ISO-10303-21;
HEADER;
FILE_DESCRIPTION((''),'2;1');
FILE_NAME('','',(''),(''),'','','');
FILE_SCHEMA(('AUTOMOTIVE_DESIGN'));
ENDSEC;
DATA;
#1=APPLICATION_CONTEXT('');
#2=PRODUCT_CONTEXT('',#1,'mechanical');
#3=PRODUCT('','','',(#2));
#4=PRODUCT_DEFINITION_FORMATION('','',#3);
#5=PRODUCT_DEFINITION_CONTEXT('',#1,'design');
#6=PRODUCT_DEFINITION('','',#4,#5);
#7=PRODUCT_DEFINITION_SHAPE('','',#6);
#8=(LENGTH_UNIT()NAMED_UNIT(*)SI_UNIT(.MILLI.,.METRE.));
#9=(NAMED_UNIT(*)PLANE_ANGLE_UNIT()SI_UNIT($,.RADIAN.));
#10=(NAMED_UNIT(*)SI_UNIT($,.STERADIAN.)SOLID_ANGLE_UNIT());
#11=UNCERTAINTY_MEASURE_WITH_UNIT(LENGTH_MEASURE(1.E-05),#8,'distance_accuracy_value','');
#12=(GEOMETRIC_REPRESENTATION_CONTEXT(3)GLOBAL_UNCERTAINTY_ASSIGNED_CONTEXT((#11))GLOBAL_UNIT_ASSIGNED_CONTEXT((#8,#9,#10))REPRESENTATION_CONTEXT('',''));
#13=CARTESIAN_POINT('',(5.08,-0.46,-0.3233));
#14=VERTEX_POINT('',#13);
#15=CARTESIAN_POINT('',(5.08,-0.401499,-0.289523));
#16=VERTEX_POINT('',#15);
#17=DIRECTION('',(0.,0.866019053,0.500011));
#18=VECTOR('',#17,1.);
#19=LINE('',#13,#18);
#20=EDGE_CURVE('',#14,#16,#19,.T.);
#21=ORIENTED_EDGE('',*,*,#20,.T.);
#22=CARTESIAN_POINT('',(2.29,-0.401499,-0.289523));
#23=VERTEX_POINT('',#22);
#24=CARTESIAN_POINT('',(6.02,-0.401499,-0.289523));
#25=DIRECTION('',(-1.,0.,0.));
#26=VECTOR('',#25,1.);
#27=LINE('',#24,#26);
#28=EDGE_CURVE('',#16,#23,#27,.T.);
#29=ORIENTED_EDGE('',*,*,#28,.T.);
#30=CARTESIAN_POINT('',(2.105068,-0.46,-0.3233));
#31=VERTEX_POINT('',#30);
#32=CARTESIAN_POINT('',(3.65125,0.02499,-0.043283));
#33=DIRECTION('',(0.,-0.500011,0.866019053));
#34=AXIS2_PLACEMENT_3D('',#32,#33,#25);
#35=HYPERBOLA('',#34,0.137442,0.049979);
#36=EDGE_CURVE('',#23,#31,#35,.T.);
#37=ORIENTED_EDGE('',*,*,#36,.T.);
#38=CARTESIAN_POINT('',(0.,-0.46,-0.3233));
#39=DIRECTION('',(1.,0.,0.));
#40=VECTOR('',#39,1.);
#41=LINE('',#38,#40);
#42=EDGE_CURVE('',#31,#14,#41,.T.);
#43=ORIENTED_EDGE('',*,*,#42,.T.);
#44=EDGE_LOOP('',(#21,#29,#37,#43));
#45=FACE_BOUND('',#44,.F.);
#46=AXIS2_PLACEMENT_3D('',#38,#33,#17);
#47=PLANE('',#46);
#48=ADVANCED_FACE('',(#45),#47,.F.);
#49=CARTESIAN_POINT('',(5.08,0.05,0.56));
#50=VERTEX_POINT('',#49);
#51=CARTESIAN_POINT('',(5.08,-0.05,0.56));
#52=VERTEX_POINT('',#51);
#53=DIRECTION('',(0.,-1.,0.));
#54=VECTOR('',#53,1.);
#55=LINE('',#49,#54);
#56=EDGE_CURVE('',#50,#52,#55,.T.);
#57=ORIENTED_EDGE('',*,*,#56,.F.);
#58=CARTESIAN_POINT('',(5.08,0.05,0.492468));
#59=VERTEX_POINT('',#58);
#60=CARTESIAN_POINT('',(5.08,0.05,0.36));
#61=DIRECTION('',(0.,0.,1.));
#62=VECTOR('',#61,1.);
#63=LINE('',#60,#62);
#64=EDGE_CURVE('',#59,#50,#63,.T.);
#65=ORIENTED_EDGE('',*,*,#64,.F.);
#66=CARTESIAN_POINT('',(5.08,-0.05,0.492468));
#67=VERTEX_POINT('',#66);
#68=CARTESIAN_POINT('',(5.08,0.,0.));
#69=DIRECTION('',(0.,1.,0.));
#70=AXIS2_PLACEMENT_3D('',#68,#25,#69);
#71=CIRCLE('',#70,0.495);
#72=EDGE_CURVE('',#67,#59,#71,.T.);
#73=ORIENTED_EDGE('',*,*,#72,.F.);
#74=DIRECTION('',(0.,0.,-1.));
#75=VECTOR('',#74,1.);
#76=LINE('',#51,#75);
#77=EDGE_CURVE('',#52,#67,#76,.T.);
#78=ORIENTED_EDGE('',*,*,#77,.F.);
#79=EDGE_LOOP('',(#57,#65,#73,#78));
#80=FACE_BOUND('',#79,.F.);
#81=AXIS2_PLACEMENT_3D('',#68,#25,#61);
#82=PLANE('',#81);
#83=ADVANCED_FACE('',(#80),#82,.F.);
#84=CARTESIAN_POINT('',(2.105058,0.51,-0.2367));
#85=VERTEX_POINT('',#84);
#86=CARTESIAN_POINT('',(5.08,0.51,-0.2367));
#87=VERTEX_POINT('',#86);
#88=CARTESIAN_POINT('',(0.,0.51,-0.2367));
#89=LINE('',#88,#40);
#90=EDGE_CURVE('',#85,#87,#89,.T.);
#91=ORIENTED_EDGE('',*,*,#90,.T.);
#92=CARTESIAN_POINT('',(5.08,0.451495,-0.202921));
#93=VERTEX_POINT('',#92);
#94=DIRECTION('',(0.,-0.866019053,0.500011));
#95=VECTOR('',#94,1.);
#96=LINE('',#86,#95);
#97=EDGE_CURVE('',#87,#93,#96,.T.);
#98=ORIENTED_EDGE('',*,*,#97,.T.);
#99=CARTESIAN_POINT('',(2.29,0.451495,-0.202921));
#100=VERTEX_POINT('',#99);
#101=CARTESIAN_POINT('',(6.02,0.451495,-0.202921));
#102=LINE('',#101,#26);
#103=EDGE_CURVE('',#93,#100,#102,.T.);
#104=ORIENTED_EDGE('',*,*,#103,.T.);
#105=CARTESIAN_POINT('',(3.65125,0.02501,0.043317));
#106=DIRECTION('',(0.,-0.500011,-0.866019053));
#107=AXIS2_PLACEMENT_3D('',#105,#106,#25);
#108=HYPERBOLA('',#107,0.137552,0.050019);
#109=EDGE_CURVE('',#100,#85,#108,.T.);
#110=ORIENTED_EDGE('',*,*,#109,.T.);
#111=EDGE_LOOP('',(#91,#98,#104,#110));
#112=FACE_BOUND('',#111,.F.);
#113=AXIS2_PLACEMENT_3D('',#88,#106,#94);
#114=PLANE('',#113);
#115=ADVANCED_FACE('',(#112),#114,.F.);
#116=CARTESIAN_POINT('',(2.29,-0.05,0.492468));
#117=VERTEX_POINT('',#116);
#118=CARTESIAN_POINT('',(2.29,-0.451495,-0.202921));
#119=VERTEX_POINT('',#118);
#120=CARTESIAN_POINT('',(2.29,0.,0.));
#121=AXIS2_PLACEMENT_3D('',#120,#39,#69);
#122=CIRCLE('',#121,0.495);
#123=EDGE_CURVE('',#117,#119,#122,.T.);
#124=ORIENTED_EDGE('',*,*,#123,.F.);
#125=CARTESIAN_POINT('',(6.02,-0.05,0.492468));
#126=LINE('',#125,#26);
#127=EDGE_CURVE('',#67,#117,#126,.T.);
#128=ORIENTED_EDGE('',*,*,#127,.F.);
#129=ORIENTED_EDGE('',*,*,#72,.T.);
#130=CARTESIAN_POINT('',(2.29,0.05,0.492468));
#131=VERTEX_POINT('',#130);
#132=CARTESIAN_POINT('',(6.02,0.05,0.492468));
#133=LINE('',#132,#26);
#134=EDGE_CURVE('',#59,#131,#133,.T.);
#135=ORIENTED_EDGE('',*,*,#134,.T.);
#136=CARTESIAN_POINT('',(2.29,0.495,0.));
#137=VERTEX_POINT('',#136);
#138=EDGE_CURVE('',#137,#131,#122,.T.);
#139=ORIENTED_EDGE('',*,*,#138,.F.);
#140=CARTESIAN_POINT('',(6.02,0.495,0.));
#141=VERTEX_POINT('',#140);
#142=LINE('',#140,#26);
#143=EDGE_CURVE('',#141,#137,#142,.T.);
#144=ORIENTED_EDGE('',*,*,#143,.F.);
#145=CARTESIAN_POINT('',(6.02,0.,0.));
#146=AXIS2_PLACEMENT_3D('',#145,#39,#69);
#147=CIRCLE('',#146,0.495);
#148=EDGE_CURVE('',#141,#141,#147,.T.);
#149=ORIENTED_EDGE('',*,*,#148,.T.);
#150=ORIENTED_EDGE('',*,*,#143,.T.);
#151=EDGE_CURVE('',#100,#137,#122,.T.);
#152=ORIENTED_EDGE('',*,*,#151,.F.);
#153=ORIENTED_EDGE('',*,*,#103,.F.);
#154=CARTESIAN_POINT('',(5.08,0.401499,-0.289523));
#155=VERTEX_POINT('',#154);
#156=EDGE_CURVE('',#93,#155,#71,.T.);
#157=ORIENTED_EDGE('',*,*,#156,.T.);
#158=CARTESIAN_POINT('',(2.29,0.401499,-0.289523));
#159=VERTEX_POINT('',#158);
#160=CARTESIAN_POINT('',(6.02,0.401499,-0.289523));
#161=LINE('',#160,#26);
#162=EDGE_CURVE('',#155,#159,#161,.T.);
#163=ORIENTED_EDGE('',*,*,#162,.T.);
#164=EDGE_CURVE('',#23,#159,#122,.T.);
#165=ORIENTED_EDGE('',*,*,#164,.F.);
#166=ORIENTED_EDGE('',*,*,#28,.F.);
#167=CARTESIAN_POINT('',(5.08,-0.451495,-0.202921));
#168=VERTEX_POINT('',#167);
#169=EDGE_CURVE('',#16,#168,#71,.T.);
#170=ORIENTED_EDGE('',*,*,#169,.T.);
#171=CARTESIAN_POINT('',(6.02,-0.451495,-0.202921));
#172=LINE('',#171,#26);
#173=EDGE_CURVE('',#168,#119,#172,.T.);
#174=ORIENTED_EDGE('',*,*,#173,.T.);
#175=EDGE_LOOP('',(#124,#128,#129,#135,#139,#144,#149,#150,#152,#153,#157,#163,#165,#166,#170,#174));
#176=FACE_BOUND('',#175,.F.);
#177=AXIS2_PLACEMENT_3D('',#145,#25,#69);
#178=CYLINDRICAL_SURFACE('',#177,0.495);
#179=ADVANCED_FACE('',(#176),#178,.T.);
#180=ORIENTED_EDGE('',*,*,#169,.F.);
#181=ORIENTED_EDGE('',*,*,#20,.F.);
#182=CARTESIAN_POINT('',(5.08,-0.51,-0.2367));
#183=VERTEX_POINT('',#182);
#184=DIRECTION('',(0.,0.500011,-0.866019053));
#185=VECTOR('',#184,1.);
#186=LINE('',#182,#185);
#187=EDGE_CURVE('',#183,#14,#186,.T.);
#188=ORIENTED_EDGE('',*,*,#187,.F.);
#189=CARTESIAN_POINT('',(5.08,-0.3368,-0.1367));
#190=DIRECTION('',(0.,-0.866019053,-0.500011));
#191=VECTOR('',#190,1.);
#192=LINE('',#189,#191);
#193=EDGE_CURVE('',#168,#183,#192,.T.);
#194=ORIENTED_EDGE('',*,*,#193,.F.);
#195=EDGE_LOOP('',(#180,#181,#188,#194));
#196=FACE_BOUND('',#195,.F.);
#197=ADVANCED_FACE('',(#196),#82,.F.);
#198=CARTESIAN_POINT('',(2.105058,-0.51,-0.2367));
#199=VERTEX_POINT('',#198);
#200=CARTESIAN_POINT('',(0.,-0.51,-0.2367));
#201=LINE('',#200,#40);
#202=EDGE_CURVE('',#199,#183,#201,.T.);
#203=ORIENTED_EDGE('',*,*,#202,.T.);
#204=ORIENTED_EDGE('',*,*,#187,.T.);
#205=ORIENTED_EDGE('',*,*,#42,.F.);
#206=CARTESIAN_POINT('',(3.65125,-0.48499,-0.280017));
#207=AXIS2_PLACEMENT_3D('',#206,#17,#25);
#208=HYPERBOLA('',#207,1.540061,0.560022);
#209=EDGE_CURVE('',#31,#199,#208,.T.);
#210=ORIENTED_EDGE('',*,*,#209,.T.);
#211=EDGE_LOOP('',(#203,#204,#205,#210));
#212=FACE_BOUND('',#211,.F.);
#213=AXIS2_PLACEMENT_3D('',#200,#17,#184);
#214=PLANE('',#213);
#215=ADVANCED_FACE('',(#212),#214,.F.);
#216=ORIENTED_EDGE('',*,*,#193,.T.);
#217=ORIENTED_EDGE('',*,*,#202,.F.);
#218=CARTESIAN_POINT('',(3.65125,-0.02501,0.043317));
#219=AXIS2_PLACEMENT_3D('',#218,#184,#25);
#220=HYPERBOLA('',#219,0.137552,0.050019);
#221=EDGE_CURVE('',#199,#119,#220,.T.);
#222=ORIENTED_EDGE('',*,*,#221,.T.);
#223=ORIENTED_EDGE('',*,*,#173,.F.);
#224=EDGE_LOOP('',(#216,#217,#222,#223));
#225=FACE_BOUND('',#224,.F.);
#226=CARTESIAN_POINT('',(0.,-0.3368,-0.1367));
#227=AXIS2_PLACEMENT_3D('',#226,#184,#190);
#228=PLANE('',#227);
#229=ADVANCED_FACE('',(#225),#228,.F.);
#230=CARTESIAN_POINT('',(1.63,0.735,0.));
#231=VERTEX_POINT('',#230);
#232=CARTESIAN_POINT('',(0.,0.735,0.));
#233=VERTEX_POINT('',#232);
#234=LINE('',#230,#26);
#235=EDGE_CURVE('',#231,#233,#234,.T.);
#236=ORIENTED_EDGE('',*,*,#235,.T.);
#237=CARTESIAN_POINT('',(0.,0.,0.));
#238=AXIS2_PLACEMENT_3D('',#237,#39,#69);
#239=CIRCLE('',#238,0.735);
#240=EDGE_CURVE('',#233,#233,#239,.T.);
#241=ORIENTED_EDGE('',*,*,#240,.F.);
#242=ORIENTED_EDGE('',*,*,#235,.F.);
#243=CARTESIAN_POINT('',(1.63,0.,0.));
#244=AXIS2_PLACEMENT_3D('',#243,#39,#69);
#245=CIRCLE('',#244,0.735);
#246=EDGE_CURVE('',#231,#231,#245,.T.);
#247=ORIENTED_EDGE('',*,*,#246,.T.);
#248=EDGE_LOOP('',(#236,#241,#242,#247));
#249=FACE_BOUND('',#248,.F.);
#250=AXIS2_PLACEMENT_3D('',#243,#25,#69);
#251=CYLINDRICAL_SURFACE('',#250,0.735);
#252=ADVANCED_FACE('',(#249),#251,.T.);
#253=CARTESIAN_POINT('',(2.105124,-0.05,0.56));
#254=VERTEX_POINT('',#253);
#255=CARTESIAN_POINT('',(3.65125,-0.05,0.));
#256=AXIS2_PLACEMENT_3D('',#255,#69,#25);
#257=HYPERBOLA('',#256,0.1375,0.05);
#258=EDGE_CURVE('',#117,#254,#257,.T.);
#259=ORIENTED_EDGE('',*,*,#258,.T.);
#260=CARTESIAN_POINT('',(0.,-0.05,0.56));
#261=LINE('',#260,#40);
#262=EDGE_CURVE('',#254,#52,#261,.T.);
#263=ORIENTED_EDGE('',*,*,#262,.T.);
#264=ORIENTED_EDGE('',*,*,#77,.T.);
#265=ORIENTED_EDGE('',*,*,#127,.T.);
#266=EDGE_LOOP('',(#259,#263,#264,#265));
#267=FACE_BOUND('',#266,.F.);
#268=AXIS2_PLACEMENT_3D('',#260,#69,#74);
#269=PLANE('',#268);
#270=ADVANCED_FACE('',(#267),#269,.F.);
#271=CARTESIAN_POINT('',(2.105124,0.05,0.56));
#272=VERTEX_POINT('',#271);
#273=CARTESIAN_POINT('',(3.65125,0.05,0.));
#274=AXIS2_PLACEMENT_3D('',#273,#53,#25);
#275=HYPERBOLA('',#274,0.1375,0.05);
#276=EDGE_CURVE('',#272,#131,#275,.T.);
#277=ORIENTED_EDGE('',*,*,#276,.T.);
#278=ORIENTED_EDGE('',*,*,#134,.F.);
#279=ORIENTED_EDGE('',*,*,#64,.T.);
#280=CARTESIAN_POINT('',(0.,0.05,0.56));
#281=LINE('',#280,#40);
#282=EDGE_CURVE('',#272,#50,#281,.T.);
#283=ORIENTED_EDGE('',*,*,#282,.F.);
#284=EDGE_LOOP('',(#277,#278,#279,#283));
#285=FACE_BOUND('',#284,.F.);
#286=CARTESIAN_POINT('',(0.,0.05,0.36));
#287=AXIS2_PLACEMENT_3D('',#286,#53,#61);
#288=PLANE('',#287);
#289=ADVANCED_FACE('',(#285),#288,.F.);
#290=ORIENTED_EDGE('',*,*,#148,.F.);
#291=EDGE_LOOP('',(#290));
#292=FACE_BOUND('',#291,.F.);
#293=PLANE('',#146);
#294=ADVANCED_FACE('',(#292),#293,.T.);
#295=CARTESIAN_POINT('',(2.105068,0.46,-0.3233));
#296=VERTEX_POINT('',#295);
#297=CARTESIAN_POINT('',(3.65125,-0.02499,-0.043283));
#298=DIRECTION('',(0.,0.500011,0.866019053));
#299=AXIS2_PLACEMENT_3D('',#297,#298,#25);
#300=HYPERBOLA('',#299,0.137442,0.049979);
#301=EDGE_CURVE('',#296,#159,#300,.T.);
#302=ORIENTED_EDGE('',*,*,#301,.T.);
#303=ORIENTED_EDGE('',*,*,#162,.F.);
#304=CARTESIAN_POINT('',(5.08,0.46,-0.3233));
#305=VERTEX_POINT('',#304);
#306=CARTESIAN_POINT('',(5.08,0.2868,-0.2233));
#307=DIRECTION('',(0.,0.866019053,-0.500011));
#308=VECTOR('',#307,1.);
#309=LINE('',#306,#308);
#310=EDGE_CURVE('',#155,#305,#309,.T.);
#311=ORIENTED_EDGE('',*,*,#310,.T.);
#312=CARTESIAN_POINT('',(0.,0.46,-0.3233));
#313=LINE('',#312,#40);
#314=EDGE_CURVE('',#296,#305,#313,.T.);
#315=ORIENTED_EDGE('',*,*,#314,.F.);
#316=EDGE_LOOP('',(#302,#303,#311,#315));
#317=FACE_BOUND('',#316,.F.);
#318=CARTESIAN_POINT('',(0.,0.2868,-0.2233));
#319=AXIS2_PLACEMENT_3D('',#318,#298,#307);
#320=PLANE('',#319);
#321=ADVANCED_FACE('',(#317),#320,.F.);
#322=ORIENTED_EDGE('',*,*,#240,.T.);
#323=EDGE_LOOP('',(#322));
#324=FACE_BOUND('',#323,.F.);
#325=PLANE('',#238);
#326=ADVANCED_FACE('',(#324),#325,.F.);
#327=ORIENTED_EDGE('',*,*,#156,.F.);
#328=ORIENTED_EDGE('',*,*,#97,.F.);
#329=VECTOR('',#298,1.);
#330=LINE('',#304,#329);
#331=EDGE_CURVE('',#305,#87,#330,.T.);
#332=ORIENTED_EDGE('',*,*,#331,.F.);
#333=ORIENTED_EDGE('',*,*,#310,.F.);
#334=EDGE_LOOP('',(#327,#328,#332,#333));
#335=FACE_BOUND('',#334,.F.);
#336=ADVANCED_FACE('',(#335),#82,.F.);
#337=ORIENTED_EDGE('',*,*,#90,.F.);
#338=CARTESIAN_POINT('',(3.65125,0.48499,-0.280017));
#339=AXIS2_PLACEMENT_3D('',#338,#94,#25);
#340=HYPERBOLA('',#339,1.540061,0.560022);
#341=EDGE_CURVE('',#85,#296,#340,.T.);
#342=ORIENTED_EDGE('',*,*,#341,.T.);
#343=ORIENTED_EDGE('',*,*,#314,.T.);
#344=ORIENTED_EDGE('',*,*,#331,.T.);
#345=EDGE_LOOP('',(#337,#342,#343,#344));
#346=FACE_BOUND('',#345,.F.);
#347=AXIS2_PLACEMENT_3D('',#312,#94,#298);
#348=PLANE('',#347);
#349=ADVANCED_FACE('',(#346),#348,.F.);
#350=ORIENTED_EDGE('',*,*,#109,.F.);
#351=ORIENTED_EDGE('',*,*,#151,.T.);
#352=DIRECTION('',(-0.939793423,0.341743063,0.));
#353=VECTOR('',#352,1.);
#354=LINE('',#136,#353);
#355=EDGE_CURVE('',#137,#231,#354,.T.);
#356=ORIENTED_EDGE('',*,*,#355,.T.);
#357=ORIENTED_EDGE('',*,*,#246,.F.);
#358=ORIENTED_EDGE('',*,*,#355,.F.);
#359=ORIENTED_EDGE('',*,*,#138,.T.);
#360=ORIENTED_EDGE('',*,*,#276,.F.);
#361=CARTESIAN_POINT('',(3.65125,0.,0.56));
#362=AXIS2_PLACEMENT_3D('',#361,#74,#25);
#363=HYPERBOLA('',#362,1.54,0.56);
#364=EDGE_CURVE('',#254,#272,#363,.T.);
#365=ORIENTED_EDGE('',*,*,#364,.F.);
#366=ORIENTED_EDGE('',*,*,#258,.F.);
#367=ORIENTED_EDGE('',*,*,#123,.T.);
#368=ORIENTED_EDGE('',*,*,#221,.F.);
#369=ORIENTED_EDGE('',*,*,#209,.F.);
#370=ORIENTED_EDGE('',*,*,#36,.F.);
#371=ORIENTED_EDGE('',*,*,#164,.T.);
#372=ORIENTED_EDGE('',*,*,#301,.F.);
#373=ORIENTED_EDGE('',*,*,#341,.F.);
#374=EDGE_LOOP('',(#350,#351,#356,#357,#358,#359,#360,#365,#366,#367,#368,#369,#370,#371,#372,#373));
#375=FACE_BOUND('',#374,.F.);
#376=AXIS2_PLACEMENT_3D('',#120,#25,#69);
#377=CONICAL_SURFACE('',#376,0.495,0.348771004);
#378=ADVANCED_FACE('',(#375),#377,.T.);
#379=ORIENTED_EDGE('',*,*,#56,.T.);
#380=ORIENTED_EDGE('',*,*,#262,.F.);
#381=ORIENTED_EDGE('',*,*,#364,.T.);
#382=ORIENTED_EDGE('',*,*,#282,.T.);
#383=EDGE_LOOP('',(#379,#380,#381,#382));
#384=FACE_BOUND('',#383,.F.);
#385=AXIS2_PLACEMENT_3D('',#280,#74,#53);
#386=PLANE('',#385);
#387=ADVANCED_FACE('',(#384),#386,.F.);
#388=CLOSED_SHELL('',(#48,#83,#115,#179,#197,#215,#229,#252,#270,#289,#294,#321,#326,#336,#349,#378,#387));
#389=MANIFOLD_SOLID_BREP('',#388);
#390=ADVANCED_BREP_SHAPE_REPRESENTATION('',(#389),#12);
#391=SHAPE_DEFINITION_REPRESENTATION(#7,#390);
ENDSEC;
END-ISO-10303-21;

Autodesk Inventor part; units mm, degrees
ref_plane "YZ Plane" through (0, 0, 0) normal (1, 0, 0) x (0, 1, 0)
ref_plane "XZ Plane" through (0, 0, 0) normal (0, 1, 0) x (-1, 0, 0)
ref_plane "XY Plane" through (0, 0, 0) normal (0, 0, 1) x (1, 0, 0)
sketch "Sketch1" plane through (0, 0, 0) normal (0, 0, 1) x (1, 0, 0)
  line L0 (0, 0) -> (6.02, 0)
  line L1 (6.02, 0) -> (6.02, 0.495)
  line L2 (6.02, 0.495) -> (2.29, 0.495)
  line L3 (2.29, 0.495) -> (1.63, 0.735)
  line L4 (1.63, 0.735) -> (0, 0.735)
  line L5 (0, 0.735) -> (0, 0)
  dimension "d1" = 0.495
  dimension "d19" = 1.63
  dimension "d20" = 0.735
  dimension "d21" = 6.02
  dimension "d22" = 3.73
revolve "Revolution1" add sketch "Sketch1" angle 360 about axis through (0, 0, 0) along (1, 0, 0)
sketch "Sketch2" plane through (0, 0, 0) normal (-1, 0, 0) x (0, 0, 1)
  line L0 (0.36, 0.05) -> (0.56, 0.05)
  line L1 (0.56, 0.05) -> (0.56, -0.05)
  line L2 (0.56, -0.05) -> (0.36, -0.05)
  line L3 (0.36, -0.05) -> (0.36, 0.05)
  line L4 (-0.2233, 0.2868) -> (-0.3233, 0.46)
  line L5 (-0.3233, 0.46) -> (-0.2367, 0.51)
  line L6 (-0.2367, 0.51) -> (-0.1367, 0.3368)
  line L7 (-0.1367, 0.3368) -> (-0.2233, 0.2868)
  line L8 (-0.1367, -0.3368) -> (-0.2367, -0.51)
  line L9 (-0.2367, -0.51) -> (-0.3233, -0.46)
  line L10 (-0.3233, -0.46) -> (-0.2233, -0.2868)
  line L11 (-0.2233, -0.2868) -> (-0.1367, -0.3368)
  circle A0 centre (0, 0) radius 0.495 construction
  point P0 (0.36, 0)
  dimension "d9" = 360
  dimension "d23" = 0.56
  dimension "d24" = 0.1
  dimension "d25" = 0.2
extrude "Extrusion1" add sketch "Sketch2" against normal blind 5.08
properties part number "LED Pipe" material "Polycarbonate, Clear"
